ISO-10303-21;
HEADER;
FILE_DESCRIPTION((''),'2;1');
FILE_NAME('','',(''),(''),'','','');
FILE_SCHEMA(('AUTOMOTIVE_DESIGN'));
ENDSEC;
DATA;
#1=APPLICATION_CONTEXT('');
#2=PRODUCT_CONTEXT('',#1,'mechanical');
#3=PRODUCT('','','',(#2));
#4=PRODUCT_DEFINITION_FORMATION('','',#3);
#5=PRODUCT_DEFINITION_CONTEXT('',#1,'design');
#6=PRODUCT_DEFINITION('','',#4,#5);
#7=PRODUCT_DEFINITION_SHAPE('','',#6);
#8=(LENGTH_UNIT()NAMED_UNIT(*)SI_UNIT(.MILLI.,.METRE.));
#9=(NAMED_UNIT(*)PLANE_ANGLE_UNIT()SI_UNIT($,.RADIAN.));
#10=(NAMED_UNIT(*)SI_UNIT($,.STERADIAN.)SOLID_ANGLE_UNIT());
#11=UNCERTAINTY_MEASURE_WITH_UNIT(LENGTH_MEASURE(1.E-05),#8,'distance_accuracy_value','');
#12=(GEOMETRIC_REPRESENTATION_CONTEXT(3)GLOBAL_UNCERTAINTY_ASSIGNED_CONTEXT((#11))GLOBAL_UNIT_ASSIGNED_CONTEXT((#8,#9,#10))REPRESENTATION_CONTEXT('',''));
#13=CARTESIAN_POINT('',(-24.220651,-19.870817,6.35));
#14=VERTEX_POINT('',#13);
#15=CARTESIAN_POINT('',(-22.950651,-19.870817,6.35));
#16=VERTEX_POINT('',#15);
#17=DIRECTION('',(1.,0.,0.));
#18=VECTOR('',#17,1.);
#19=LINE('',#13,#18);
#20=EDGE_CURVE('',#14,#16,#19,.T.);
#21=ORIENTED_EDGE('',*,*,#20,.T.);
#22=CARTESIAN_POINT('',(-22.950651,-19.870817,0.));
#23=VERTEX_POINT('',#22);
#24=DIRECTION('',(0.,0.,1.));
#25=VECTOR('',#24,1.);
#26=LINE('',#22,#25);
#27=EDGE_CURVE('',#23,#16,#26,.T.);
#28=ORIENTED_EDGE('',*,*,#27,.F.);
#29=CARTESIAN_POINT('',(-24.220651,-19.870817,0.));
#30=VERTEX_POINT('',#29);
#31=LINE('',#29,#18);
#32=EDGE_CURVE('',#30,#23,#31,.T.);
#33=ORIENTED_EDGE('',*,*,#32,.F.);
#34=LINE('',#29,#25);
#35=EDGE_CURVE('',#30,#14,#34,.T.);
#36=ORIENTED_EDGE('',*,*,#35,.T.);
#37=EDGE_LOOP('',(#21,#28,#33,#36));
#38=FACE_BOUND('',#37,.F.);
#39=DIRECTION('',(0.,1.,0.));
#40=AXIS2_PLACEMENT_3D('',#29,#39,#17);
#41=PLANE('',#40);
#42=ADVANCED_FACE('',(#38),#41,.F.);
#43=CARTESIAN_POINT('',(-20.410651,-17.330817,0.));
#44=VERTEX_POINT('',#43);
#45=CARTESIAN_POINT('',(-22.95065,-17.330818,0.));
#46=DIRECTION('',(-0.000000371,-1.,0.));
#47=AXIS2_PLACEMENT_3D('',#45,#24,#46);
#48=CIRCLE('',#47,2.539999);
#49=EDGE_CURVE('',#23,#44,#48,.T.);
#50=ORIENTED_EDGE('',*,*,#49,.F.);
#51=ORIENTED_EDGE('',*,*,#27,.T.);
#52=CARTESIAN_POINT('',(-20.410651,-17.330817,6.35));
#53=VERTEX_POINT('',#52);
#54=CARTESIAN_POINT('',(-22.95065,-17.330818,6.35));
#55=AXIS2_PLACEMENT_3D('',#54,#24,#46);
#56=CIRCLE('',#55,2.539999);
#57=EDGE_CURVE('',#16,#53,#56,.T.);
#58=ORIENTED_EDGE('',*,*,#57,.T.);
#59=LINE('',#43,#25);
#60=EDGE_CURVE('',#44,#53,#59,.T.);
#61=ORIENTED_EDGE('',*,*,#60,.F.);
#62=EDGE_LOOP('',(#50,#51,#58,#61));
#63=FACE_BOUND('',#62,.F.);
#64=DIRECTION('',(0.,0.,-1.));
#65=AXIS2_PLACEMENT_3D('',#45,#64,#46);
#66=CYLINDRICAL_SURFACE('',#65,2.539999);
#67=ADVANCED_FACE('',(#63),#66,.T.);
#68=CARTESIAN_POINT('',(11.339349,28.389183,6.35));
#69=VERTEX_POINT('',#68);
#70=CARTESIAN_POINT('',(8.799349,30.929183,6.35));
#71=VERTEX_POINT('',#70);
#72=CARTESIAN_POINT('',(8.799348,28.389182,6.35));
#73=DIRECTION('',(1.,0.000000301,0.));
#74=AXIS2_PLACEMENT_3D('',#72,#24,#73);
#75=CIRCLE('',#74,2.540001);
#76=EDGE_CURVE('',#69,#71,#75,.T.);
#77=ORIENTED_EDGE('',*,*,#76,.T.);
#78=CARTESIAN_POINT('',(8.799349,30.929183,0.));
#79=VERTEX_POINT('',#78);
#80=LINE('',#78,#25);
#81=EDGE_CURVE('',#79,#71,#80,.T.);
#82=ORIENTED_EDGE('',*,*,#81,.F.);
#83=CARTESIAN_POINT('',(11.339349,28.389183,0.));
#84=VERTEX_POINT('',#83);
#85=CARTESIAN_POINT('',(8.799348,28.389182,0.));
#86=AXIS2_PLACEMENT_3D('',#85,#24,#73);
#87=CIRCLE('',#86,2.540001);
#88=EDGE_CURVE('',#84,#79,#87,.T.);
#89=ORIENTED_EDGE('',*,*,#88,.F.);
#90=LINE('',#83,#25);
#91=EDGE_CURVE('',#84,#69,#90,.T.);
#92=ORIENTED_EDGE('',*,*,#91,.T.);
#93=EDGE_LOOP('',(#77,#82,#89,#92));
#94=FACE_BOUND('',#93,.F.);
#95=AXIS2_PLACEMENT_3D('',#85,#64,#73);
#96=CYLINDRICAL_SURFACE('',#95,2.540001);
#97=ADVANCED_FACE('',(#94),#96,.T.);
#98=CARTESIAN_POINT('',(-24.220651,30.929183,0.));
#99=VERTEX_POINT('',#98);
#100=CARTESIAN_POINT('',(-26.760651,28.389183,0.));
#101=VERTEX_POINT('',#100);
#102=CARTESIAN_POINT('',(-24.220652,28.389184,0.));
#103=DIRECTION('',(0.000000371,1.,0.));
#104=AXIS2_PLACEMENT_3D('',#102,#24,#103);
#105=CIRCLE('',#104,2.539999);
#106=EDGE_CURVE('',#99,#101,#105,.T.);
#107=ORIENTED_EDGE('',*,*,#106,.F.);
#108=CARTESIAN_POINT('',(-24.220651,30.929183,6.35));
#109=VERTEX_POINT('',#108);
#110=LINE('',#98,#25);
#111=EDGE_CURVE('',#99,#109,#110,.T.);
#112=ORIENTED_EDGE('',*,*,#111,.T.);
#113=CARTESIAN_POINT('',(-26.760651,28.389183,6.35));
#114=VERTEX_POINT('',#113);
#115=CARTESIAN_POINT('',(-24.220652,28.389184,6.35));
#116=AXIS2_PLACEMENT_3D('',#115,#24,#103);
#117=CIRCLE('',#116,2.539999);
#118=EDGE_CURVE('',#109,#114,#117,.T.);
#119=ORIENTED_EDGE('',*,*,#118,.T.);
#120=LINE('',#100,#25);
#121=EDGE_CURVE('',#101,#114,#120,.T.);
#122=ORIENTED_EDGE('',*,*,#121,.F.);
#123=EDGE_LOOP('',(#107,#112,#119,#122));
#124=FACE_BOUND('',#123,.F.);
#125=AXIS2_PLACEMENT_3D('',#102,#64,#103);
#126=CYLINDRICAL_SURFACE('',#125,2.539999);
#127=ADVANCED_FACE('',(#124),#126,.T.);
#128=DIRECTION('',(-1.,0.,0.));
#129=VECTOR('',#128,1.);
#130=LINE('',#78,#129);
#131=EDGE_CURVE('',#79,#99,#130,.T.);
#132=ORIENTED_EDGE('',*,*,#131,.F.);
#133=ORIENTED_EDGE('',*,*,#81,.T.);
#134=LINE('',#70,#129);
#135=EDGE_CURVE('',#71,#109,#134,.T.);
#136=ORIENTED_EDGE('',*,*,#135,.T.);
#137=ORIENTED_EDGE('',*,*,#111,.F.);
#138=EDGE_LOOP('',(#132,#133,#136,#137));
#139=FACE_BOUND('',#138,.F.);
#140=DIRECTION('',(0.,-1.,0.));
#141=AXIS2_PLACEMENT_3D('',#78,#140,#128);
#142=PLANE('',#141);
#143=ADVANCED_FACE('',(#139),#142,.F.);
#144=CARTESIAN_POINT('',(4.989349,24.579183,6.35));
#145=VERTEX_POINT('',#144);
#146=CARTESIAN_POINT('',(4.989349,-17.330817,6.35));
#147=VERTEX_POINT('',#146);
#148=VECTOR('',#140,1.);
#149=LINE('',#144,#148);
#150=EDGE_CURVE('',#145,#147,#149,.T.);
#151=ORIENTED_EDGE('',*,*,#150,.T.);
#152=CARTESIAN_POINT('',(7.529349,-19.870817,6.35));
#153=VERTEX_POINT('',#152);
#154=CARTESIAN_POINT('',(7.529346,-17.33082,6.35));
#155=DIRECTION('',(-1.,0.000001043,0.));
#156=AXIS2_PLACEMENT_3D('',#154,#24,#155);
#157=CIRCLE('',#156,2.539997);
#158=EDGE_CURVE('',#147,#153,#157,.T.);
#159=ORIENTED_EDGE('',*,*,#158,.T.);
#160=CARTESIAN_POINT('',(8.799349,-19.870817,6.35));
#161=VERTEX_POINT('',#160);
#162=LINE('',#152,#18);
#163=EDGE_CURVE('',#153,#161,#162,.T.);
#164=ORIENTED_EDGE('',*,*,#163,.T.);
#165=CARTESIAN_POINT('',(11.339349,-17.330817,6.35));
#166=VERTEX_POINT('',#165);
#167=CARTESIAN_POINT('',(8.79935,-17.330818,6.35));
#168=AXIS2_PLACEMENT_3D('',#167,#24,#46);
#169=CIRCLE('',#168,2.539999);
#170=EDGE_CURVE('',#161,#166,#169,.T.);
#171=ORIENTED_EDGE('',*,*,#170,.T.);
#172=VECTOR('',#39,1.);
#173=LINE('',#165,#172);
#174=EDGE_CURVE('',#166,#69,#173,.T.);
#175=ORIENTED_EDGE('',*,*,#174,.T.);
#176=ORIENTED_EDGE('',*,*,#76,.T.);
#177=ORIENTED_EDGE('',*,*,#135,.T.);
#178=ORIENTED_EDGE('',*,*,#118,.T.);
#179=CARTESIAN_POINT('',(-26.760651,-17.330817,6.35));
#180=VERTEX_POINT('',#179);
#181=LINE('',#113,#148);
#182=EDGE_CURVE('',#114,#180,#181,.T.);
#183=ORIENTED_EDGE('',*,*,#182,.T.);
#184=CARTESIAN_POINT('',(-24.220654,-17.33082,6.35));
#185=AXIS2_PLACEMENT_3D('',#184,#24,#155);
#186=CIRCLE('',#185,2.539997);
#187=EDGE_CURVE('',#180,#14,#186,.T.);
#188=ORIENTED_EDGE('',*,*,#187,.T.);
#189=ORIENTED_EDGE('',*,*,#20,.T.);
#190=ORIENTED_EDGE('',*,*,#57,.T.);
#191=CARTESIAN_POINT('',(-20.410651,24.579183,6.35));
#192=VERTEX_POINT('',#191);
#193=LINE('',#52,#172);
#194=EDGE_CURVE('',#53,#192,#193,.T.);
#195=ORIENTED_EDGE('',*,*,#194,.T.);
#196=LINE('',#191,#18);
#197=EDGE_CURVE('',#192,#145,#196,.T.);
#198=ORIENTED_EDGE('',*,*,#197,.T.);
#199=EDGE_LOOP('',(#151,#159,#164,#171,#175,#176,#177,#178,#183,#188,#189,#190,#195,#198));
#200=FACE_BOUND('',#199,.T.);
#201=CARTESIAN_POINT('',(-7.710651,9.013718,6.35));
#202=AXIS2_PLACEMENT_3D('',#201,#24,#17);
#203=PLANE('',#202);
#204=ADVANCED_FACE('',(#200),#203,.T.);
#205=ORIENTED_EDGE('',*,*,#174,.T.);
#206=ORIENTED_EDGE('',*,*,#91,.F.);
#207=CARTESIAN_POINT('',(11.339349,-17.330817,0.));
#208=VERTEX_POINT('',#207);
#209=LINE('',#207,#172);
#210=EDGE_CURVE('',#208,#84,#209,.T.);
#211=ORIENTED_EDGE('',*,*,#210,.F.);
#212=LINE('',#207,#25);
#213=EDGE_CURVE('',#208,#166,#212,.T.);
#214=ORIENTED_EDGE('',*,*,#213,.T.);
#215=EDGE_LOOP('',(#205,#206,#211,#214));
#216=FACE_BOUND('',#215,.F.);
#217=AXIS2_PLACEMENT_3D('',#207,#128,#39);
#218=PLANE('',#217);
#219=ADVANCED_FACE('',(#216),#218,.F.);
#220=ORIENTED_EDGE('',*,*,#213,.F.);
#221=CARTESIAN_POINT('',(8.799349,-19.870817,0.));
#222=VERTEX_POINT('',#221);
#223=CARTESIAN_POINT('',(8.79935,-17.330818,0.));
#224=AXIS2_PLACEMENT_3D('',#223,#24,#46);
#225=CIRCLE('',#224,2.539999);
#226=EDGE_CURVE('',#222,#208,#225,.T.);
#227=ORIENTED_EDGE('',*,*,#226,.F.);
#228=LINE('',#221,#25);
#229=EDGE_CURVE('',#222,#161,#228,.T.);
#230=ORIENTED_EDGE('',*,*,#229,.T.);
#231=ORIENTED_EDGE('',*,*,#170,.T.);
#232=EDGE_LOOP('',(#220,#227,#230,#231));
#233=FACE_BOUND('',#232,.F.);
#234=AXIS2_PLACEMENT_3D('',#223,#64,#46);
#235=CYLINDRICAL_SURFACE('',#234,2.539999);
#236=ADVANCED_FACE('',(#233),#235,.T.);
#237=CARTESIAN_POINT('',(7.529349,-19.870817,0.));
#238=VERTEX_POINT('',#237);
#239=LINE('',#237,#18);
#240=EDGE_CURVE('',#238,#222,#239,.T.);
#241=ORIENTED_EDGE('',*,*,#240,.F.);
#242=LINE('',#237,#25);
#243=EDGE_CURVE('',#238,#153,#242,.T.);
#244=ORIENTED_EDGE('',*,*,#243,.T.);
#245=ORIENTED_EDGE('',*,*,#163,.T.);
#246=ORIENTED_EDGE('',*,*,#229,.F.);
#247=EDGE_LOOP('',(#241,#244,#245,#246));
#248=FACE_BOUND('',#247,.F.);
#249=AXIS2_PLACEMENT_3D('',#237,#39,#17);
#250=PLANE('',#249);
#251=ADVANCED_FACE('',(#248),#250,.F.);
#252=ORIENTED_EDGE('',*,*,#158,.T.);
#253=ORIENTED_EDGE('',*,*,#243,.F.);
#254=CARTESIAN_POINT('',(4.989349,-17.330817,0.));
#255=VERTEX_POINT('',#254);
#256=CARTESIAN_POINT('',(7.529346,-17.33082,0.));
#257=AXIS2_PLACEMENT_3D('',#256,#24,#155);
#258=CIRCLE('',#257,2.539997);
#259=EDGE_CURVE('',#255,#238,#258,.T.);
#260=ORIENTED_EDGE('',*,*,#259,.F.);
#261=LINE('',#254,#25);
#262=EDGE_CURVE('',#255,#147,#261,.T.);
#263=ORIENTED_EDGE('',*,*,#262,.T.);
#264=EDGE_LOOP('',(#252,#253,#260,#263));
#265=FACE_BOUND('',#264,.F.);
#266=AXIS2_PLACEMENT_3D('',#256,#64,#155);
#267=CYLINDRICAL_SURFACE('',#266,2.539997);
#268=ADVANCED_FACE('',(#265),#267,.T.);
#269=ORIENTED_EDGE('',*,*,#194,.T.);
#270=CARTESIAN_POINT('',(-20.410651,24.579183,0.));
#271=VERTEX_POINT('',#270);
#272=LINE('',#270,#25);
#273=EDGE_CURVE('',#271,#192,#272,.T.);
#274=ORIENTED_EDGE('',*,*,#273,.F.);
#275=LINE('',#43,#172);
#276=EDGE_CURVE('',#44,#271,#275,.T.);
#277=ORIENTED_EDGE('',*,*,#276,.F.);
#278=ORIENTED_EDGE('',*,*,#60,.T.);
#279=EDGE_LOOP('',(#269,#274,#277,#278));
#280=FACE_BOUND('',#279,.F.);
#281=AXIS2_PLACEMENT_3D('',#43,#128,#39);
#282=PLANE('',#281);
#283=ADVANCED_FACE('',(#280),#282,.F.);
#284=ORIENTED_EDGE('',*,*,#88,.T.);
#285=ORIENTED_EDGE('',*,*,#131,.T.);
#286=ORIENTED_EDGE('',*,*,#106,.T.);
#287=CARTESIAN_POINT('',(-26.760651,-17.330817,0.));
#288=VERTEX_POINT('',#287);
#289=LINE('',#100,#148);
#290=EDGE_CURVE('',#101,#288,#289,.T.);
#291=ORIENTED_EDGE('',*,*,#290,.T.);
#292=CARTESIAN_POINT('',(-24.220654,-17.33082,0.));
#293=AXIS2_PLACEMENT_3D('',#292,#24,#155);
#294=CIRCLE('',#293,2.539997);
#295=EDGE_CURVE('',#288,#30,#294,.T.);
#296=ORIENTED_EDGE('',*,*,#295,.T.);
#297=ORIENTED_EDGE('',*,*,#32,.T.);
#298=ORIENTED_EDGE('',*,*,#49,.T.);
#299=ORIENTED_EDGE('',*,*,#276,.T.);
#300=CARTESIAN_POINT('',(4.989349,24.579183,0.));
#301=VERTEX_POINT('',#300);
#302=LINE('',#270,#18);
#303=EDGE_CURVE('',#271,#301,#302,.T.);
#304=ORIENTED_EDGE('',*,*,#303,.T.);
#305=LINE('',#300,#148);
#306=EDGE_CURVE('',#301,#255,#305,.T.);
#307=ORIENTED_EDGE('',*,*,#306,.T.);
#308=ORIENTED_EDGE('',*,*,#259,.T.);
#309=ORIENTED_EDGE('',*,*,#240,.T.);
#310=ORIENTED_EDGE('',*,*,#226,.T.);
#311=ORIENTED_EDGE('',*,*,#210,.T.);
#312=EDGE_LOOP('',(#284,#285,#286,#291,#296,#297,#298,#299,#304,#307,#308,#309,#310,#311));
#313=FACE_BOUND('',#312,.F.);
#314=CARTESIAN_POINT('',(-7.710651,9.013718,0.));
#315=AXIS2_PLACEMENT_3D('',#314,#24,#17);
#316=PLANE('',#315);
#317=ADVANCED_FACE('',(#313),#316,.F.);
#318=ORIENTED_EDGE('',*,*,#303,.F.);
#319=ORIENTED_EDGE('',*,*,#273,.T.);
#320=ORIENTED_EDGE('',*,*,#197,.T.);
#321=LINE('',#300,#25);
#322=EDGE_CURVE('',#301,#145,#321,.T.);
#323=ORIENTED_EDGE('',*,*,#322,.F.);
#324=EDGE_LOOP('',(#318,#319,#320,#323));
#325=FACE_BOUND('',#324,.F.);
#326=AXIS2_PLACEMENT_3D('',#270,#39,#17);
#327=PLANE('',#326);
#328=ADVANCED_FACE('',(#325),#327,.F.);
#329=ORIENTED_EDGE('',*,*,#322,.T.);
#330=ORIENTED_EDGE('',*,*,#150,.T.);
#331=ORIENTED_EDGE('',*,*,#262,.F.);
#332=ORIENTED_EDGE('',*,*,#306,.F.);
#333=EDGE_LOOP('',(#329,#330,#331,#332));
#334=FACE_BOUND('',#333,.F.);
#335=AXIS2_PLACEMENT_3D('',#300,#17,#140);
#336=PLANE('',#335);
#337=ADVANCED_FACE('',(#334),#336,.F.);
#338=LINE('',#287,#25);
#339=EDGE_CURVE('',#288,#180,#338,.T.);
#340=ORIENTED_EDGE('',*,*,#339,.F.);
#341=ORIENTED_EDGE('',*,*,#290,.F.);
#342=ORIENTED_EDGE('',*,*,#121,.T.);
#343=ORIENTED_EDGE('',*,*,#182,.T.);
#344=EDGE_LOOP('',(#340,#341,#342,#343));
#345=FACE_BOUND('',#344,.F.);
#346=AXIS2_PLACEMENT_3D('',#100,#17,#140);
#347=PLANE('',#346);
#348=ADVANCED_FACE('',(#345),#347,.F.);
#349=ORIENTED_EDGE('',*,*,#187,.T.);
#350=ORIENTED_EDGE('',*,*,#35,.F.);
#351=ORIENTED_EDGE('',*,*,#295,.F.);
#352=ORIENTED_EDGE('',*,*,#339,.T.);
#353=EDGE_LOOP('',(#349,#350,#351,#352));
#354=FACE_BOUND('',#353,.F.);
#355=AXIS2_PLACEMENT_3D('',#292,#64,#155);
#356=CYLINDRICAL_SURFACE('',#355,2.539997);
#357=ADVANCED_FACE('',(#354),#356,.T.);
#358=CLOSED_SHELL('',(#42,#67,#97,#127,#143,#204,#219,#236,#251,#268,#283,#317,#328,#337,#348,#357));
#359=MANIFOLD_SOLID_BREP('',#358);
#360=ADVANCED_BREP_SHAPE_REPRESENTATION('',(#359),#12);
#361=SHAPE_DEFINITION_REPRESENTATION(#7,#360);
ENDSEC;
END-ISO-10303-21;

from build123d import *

# Parameters (mm, degrees)
F1_DEPTH = 6.35


with BuildPart() as f1:
    # F0 (on Top) → F1 (new body)
    with BuildSketch(Plane.XY):
        with BuildLine():
            Line((-20.410651, -17.330817), (-20.410651, 24.579183))
            Line((-20.410651, 24.579183), (4.989349, 24.579183))
            Line((4.989349, 24.579183), (4.989349, -17.330817))
            ThreePointArc((4.989349, -17.330817), (5.733297, -19.126869), (7.529349, -19.870817))
            Line((7.529349, -19.870817), (8.799349, -19.870817))
            ThreePointArc((8.799349, -19.870817), (10.5954, -19.126869), (11.339349, -17.330817))
            Line((11.339349, -17.330817), (11.339349, 28.389183))
            ThreePointArc((11.339349, 28.389183), (10.5954, 30.185234), (8.799349, 30.929183))
            Line((8.799349, 30.929183), (-24.220651, 30.929183))
            ThreePointArc((-24.220651, 30.929183), (-26.016703, 30.185234), (-26.760651, 28.389183))
            Line((-26.760651, 28.389183), (-26.760651, -17.330817))
            ThreePointArc((-26.760651, -17.330817), (-26.016703, -19.126869), (-24.220651, -19.870817))
            Line((-24.220651, -19.870817), (-22.950651, -19.870817))
            ThreePointArc((-22.950651, -19.870817), (-21.1546, -19.126869), (-20.410651, -17.330817))
        make_face()
    extrude(amount=F1_DEPTH)


solid = f1.part
